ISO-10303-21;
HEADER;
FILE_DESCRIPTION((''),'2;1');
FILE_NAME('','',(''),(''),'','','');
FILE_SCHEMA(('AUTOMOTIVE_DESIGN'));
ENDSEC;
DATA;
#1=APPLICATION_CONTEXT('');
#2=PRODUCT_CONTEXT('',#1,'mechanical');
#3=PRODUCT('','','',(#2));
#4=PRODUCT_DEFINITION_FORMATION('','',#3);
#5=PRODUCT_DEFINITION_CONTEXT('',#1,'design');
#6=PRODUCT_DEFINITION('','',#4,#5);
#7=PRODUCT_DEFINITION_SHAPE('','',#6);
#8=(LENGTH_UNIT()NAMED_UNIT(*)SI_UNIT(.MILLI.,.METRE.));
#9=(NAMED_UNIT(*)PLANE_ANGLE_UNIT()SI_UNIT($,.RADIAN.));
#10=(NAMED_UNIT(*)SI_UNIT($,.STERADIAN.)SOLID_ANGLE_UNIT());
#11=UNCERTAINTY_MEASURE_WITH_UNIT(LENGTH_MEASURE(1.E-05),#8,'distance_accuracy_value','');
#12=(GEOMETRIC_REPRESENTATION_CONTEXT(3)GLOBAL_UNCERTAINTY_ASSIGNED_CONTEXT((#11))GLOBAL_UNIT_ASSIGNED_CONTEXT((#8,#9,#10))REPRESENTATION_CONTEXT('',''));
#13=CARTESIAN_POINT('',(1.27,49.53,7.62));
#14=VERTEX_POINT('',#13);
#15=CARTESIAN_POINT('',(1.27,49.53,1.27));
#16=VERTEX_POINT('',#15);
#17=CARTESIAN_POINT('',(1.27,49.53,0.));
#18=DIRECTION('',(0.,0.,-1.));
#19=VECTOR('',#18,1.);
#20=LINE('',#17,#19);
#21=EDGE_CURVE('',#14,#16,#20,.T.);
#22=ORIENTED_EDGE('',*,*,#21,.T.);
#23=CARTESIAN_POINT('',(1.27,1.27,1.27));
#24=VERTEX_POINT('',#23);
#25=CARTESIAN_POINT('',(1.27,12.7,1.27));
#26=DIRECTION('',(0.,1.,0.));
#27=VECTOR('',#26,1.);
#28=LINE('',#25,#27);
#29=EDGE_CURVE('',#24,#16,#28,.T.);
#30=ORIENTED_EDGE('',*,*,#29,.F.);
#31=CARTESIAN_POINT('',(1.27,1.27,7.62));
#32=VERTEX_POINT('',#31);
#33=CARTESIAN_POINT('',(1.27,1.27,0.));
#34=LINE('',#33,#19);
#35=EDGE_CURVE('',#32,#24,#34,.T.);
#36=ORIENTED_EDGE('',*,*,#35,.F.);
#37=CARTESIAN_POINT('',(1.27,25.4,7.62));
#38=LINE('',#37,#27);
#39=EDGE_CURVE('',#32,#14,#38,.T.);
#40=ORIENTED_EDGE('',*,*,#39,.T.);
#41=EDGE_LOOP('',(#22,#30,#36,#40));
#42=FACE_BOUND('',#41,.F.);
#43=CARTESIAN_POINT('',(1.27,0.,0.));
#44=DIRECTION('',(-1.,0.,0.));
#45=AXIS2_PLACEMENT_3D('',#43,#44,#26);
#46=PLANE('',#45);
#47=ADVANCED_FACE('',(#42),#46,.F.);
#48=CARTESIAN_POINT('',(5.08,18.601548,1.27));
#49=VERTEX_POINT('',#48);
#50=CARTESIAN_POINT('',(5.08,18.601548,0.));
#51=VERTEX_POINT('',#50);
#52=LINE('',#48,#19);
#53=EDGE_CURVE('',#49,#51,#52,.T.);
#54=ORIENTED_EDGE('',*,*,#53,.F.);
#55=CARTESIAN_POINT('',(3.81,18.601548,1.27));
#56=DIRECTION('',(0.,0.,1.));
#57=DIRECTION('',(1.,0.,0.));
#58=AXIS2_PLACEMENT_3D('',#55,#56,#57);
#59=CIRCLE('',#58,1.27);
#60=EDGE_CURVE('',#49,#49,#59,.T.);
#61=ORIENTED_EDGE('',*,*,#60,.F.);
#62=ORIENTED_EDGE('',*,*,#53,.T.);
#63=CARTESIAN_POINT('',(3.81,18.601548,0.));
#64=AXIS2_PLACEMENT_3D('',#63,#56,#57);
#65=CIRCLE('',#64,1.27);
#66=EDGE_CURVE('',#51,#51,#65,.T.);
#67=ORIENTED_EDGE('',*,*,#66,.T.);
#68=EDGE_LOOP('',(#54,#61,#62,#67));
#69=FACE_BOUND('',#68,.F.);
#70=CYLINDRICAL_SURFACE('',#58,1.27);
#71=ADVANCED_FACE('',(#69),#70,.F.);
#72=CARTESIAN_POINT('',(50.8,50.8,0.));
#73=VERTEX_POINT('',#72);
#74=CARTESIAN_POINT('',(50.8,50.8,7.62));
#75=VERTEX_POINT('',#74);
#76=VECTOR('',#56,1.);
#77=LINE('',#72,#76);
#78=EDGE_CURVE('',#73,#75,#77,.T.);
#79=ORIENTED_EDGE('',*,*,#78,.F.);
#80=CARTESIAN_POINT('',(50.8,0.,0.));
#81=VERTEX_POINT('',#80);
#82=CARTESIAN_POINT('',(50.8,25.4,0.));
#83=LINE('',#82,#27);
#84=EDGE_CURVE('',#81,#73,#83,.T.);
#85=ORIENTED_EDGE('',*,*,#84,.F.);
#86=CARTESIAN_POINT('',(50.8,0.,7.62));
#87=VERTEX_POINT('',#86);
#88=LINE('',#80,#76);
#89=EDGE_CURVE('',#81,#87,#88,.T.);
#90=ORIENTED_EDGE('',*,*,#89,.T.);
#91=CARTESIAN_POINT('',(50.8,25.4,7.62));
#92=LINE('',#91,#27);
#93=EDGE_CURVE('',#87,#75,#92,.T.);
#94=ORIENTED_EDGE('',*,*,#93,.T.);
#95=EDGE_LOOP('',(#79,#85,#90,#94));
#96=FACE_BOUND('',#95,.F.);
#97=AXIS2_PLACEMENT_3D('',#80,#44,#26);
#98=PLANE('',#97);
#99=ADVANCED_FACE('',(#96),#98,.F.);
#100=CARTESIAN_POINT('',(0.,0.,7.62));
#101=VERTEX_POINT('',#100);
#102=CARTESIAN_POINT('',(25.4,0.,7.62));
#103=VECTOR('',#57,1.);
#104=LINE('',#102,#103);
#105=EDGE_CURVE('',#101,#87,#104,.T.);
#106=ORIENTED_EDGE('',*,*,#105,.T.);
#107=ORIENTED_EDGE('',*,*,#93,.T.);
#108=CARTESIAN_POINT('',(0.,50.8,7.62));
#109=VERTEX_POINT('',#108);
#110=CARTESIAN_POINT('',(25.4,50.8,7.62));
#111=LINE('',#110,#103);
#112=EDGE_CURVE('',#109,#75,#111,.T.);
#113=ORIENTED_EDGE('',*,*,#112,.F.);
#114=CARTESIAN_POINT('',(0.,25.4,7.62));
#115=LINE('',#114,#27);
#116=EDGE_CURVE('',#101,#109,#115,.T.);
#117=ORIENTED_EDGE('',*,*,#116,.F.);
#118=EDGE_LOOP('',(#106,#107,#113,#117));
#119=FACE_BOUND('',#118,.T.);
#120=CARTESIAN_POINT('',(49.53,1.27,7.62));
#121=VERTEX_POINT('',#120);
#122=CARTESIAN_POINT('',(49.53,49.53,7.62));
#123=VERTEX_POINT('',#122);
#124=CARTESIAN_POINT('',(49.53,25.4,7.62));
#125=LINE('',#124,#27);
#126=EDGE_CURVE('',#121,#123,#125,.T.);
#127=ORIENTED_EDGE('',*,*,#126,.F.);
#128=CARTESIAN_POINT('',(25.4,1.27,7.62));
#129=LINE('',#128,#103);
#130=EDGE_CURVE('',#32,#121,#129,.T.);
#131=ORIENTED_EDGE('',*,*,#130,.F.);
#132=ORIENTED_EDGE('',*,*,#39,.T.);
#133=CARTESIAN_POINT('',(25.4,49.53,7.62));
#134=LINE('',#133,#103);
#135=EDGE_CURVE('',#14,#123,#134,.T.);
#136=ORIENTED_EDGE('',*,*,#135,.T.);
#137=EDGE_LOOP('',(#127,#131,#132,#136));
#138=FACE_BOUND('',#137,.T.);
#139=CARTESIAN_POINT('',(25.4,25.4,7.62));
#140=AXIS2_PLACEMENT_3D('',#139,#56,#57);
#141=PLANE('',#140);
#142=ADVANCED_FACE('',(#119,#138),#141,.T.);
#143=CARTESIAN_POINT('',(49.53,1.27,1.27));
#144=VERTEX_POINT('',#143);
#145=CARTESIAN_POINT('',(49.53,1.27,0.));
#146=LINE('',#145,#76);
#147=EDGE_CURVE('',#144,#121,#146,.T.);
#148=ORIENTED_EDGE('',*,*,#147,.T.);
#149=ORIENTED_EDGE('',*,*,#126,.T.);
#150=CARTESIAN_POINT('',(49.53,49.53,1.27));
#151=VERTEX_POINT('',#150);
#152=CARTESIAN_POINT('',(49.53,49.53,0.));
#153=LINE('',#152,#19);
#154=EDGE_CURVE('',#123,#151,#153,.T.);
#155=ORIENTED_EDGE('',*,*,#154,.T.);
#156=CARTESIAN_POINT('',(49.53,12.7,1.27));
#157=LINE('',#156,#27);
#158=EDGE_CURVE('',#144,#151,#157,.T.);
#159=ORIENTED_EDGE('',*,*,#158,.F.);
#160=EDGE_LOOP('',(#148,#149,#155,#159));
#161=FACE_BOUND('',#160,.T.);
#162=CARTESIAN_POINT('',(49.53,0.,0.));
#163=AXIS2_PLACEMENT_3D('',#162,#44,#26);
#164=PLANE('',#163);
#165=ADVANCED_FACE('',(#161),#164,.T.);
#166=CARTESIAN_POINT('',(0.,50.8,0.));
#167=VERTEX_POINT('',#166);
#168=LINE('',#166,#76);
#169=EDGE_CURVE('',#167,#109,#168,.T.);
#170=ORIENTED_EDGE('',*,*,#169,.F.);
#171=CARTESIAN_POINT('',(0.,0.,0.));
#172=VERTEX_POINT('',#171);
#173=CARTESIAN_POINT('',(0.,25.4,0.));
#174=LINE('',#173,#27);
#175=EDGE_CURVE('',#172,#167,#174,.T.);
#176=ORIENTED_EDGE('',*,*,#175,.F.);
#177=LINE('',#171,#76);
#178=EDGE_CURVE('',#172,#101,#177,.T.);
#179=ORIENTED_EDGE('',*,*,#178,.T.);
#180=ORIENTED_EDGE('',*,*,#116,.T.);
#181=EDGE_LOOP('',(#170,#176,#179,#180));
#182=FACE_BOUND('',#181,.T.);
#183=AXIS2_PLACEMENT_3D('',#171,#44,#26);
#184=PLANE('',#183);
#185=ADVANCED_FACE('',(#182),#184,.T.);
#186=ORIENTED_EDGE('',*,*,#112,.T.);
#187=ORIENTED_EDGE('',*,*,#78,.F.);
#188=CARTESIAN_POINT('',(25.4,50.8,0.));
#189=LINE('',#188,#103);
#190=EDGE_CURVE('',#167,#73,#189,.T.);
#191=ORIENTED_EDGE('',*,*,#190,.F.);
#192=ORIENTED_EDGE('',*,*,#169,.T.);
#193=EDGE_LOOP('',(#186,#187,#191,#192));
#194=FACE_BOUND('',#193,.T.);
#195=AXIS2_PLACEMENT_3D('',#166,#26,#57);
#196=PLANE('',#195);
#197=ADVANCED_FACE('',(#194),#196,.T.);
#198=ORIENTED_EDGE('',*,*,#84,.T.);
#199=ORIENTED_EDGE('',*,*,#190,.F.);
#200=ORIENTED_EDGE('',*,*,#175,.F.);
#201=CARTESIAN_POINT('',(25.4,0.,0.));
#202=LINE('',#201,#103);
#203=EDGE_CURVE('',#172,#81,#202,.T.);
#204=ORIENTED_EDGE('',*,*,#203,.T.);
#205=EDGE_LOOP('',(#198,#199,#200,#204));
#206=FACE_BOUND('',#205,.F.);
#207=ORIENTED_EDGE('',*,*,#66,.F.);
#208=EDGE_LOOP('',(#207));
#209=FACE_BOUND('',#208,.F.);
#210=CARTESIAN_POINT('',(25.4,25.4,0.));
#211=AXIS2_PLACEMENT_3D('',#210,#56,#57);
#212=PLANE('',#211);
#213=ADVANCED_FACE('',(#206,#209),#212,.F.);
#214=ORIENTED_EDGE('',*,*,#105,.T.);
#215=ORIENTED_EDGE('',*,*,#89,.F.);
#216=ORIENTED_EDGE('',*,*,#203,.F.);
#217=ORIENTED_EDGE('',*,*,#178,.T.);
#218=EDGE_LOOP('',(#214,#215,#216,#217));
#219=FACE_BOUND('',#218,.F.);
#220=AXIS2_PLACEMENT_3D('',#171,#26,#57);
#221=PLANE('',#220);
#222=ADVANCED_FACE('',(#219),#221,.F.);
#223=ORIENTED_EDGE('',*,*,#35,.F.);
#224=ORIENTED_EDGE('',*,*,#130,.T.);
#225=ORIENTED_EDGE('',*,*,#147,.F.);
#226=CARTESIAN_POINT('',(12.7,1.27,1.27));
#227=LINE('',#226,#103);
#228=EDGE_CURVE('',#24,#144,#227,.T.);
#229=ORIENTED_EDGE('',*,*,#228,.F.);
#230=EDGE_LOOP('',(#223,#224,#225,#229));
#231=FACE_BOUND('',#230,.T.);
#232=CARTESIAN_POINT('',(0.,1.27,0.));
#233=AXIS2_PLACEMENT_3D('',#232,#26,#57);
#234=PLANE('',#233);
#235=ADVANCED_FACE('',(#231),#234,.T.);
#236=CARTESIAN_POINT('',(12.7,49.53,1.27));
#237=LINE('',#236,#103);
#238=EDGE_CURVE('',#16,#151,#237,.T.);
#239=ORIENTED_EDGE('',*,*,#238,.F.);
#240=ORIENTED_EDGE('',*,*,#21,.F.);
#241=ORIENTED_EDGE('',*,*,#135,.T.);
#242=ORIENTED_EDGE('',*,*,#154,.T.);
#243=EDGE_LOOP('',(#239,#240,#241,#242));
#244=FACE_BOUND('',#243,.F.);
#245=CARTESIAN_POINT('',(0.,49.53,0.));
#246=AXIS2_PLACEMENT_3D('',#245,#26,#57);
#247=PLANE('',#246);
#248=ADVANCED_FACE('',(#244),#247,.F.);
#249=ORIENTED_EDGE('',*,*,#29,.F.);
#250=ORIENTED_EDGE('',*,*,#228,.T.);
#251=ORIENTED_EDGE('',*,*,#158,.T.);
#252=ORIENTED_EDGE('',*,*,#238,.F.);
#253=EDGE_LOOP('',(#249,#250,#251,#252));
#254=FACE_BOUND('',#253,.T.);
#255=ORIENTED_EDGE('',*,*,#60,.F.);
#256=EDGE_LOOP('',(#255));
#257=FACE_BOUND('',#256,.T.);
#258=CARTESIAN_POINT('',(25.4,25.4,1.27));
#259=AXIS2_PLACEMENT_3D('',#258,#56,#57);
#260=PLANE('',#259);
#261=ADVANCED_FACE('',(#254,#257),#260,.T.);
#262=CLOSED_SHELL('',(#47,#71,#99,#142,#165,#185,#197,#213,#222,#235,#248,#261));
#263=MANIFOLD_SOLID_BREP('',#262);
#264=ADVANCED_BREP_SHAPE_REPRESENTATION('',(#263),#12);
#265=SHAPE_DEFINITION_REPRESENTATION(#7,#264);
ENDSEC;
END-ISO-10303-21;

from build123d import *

# Parameters (mm, degrees)
F0_W     = 50.8
F0_H     = 50.8
F1_DEPTH = 7.62
F2_T     = -1.27
F3_R     = 1.27
F4_DEPTH = 25.4


with BuildPart() as f1:
    # F0 (on Top) → F1 (new body)
    with BuildSketch(Plane.XY):
        with Locations((25.4, 25.4)):
            Rectangle(F0_W, F0_H)
    extrude(amount=F1_DEPTH)

    # F2
    f2_openings = [f1.faces().sort_by_distance(p)[0] for p in [
        (25.4, 25.4, 7.62),
    ]]
    offset(amount=F2_T, openings=f2_openings)

    # F3 (on face) → F4 (cut)
    with BuildSketch(Plane.XY.offset(1.27)):
        with Locations((3.81, 18.601548)):
            Circle(F3_R)
    extrude(amount=-F4_DEPTH, mode=Mode.SUBTRACT)


solid = f1.part
